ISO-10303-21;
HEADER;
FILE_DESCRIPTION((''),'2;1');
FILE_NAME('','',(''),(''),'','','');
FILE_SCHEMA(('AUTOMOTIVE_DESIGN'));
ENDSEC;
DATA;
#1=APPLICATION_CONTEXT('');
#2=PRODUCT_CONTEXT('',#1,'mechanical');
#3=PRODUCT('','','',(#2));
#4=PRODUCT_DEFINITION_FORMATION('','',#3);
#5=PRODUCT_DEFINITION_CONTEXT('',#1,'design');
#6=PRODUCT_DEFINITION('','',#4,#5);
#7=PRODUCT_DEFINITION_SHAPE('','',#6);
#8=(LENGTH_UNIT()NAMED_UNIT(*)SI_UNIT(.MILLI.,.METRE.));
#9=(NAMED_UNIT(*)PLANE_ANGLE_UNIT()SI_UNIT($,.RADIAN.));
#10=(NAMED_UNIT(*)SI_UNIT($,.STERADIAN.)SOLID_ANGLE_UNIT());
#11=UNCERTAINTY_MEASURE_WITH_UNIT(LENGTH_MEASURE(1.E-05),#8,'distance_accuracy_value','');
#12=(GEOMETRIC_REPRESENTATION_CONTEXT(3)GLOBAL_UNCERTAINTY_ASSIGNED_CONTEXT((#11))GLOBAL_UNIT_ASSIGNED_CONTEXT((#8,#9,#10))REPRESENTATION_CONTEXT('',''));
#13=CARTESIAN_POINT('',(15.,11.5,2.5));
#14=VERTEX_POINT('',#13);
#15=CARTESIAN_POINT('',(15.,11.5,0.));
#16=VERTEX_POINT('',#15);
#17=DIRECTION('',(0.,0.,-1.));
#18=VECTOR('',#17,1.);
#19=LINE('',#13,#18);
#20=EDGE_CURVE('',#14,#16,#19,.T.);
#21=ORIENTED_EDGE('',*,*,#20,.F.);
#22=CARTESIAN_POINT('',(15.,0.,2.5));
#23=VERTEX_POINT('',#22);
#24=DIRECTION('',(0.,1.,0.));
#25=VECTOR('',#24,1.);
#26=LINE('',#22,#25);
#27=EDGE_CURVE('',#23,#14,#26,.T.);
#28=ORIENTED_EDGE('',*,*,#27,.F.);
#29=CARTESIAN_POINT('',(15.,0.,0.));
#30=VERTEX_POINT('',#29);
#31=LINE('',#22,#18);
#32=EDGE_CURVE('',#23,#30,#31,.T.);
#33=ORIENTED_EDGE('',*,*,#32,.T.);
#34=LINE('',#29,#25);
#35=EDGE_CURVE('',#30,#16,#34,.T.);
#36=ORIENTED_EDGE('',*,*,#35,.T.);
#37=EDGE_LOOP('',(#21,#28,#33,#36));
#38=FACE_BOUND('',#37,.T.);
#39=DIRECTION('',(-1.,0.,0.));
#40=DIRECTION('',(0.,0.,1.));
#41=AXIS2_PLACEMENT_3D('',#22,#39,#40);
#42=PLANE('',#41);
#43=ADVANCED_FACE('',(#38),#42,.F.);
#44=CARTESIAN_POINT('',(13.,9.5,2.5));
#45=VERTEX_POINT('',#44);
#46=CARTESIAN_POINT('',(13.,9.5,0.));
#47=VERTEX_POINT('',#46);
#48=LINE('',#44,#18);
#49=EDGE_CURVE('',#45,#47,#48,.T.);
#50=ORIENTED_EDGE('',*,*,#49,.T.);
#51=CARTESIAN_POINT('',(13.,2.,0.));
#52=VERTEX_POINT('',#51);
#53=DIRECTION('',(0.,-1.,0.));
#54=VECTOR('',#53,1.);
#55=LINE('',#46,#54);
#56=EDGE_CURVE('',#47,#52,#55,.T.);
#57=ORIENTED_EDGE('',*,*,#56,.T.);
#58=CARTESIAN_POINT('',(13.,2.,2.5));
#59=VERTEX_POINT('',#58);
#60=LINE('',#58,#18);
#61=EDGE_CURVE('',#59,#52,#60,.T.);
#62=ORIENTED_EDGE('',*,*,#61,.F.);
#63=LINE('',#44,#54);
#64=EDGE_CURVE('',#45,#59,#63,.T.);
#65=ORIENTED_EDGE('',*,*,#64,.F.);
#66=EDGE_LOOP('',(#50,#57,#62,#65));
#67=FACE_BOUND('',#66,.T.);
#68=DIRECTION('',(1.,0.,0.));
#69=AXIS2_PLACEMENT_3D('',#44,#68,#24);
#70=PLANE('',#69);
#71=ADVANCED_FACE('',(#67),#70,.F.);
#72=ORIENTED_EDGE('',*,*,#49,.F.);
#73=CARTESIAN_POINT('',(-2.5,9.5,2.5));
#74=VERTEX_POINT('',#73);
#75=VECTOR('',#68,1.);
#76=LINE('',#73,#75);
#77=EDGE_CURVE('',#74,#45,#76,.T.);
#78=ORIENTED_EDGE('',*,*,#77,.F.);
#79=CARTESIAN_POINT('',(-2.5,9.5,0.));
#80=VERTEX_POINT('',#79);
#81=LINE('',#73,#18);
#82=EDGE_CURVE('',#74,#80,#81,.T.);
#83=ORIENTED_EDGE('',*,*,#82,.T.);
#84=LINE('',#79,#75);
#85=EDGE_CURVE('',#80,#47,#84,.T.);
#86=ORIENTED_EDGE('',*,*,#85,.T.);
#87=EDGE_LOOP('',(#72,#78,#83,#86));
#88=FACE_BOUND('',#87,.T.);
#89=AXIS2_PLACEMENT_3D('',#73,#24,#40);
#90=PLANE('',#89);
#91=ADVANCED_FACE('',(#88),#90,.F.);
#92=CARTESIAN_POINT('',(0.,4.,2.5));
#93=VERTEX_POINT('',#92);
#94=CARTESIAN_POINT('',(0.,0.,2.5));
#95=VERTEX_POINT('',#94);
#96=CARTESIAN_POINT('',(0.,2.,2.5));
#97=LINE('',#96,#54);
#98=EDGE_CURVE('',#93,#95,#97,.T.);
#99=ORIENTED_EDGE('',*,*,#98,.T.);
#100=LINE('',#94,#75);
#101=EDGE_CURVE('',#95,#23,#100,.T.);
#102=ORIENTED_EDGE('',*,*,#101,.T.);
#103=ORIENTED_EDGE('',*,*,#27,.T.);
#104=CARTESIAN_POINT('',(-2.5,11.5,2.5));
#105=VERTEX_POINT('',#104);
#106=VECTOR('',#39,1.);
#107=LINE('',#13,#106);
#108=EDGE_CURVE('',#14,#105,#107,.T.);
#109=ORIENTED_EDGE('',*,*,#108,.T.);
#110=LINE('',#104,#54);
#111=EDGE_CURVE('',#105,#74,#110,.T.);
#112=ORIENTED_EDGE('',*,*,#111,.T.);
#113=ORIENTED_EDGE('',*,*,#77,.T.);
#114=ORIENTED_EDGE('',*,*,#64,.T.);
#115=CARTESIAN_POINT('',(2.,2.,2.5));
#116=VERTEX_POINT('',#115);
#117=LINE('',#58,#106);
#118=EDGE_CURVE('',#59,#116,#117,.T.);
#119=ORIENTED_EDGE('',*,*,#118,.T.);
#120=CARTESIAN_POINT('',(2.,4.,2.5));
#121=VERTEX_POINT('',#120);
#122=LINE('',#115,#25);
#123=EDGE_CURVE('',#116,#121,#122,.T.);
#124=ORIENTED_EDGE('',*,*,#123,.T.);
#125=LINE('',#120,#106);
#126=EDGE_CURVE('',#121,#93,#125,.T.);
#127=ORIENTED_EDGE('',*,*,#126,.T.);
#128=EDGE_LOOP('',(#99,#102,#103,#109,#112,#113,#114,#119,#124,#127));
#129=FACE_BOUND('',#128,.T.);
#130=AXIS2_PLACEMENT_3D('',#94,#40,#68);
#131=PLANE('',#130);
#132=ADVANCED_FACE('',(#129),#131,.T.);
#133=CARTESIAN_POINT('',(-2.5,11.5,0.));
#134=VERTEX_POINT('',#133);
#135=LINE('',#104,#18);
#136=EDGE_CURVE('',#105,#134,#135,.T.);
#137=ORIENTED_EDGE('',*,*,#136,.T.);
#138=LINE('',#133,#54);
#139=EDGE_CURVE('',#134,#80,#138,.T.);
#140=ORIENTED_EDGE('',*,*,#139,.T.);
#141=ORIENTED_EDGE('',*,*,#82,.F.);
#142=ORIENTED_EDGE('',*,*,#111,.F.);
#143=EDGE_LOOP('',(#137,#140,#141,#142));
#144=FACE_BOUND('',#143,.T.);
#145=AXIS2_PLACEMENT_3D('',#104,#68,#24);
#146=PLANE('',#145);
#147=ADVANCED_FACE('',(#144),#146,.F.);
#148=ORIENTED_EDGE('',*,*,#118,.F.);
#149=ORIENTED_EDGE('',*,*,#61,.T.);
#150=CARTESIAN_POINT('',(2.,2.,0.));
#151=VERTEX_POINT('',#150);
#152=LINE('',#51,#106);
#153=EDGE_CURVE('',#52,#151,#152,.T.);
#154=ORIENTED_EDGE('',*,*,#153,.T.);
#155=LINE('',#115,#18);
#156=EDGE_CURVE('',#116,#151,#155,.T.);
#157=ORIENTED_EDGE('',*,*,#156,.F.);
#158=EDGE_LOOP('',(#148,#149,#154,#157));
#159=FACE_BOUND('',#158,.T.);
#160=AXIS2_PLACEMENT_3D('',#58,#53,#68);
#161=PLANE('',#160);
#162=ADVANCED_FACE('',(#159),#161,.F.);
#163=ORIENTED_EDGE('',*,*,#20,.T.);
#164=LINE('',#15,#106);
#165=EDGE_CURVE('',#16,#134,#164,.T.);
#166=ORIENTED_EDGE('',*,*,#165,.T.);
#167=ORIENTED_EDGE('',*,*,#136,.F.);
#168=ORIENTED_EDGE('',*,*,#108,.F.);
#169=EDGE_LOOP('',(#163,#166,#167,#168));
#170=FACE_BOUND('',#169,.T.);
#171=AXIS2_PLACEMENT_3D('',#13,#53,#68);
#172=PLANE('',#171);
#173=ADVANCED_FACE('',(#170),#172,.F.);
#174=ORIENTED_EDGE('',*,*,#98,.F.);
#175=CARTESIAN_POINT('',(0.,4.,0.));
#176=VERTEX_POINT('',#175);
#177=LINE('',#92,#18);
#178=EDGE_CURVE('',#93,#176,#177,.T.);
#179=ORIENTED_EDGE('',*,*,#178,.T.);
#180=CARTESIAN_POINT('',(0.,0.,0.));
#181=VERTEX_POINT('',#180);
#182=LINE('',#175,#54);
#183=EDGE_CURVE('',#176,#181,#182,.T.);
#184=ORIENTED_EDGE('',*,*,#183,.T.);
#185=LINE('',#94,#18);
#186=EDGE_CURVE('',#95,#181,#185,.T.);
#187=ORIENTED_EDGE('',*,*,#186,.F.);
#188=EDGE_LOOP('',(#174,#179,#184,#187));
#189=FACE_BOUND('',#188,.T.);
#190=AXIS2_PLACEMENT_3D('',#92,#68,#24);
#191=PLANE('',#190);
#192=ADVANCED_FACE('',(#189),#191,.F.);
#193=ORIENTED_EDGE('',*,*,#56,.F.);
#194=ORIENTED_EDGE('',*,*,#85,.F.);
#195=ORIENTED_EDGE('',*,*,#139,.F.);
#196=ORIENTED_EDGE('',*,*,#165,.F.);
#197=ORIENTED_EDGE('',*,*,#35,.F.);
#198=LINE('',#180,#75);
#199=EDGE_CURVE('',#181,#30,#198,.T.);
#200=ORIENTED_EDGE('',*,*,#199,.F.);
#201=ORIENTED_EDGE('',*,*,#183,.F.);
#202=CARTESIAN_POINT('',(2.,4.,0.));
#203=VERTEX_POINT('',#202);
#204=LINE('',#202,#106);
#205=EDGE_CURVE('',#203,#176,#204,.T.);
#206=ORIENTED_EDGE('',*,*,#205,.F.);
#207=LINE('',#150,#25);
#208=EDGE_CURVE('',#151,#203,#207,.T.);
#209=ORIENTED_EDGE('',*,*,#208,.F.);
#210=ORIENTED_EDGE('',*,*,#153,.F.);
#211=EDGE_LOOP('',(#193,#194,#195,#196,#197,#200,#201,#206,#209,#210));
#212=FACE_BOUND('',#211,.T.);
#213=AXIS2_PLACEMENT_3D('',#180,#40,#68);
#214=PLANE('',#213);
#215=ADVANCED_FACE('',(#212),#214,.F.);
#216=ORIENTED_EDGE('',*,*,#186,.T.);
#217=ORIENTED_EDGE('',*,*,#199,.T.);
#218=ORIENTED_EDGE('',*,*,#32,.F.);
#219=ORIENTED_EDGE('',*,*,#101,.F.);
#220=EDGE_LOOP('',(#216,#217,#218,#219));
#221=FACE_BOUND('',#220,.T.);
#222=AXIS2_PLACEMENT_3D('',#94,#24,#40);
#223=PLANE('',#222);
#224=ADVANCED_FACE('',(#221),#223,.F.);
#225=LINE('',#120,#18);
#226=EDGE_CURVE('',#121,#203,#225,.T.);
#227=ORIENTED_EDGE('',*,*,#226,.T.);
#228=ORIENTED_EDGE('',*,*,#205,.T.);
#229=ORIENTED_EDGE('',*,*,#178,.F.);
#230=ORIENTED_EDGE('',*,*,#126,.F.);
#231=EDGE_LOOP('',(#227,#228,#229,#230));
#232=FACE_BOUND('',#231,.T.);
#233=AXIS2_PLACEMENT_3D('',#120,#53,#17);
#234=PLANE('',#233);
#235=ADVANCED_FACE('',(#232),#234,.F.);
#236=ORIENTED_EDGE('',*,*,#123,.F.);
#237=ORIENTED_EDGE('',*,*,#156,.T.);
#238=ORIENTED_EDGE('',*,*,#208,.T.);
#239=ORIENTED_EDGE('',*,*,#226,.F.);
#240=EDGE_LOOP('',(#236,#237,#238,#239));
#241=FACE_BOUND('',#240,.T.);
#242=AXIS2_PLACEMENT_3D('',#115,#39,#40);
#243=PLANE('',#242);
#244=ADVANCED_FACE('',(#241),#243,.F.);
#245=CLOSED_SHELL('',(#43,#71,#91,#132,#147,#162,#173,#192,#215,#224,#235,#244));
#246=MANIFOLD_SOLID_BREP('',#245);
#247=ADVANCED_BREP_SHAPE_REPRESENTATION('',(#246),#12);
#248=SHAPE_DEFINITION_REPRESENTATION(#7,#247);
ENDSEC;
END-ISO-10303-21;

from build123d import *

# Parameters (mm, degrees)
BOSS_EXTRUDE1_DEPTH = 2.5


with BuildPart() as part:
    # Sketch1 → Boss-Extrude1 (new body)
    with BuildSketch(Plane.XY):
        Polygon((0, 0), (15, 0), (15, 11.5), (-2.5, 11.5), (-2.5, 9.5), (13, 9.5), (13, 2), (2, 2), (2, 4), (0, 4), (0, 2), align=None)
    extrude(amount=BOSS_EXTRUDE1_DEPTH)


solid = part.part
